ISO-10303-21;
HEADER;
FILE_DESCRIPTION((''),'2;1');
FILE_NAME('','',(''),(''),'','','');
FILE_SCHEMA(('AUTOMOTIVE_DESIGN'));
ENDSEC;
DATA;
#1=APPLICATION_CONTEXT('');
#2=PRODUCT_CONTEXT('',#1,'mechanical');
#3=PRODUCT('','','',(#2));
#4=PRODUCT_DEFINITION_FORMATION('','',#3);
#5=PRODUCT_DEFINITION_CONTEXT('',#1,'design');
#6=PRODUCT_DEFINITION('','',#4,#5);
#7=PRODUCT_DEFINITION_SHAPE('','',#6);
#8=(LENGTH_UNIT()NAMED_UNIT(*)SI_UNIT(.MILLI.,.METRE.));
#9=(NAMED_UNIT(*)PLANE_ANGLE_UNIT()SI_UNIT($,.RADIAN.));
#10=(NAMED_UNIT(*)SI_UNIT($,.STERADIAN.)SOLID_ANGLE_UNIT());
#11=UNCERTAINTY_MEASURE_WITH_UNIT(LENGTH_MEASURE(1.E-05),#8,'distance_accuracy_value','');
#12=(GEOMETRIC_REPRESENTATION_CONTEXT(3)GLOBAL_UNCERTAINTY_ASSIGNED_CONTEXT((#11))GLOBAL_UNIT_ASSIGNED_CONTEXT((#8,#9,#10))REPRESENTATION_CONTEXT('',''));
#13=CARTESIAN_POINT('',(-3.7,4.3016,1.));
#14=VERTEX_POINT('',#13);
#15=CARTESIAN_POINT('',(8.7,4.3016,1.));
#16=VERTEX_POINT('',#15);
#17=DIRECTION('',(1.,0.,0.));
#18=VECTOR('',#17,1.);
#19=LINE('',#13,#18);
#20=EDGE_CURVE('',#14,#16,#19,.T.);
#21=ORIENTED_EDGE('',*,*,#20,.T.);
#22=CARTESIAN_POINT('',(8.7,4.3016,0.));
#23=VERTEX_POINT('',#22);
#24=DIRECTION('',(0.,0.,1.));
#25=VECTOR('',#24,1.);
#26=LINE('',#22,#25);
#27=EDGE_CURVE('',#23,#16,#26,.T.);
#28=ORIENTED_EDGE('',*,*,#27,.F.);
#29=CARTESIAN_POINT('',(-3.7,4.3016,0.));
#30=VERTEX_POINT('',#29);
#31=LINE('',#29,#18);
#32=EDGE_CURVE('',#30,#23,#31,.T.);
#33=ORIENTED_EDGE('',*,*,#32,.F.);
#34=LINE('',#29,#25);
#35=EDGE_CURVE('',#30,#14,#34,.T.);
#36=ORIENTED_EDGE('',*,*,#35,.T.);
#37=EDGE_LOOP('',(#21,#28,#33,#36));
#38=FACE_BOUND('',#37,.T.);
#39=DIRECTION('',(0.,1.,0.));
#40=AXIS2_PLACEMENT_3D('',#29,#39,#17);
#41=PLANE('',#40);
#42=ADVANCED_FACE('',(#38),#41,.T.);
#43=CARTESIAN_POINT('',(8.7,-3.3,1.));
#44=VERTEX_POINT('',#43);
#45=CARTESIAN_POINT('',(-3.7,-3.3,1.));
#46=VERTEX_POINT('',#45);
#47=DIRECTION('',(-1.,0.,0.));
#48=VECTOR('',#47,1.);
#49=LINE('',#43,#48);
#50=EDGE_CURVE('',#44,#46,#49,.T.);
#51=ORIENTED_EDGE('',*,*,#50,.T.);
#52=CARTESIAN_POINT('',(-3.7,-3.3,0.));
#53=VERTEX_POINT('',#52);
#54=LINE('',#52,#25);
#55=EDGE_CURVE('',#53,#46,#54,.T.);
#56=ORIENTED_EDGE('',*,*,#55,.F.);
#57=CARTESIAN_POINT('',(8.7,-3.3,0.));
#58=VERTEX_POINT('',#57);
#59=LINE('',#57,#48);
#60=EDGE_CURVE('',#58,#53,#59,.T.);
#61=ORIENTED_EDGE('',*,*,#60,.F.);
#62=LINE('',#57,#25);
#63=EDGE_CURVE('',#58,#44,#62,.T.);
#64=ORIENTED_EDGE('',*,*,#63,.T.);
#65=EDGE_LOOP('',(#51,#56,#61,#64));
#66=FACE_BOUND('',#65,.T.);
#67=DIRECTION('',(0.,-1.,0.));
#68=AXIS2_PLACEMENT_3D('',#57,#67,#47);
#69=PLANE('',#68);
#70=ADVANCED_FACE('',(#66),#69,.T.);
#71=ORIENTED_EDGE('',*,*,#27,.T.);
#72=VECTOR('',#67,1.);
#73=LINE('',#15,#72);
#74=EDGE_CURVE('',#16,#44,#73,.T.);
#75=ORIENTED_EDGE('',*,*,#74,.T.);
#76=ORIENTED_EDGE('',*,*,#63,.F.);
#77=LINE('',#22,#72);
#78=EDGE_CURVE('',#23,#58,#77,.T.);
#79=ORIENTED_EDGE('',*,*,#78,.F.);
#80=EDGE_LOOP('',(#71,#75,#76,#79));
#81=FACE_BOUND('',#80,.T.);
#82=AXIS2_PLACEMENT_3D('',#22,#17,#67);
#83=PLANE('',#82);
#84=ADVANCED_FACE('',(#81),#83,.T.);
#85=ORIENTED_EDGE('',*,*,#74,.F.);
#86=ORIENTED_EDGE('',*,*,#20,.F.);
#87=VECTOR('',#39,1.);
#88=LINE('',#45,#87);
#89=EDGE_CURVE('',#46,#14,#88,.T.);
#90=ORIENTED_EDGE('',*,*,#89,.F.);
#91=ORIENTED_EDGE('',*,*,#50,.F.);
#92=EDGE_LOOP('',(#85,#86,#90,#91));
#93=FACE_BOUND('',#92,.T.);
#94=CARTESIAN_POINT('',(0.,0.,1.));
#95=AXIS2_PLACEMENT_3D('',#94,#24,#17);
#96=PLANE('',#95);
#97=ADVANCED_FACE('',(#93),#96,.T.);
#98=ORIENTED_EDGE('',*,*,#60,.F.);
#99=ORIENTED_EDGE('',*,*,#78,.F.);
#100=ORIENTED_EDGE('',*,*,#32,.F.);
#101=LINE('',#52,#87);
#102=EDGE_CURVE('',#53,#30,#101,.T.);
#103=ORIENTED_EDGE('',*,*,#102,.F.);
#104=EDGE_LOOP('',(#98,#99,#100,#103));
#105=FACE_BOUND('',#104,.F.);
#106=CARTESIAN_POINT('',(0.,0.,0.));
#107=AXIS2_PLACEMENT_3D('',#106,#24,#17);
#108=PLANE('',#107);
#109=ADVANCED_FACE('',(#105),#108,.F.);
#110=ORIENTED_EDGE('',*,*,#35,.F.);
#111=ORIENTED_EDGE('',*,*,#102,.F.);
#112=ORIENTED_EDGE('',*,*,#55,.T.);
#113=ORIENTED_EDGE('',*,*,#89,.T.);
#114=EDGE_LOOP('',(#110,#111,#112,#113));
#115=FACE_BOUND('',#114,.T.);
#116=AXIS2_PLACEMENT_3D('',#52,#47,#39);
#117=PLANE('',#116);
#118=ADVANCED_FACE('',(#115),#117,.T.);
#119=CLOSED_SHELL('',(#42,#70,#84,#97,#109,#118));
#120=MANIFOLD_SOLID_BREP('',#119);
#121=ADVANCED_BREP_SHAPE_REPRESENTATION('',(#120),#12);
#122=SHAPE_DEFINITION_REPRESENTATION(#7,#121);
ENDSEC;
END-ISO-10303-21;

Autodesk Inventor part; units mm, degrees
ref_plane "YZ Plane" through (0, 0, 0) normal (1, 0, 0) x (0, 1, 0)
ref_plane "XZ Plane" through (0, 0, 0) normal (0, 1, 0) x (-1, 0, 0)
ref_plane "XY Plane" through (0, 0, 0) normal (0, 0, 1) x (1, 0, 0)
sketch "SCREWTERMINAL-5MM-2, M2_SCREWTERMINAL-5MM-2_11" plane through (0, 0, 0) normal (0, 0, 1) x (1, 0, 0)
  line L0 (-3.7, 4.3016) -> (8.7, 4.3016)
  line L1 (8.7, 4.3016) -> (8.7, -3.3)
  line L2 (8.7, -3.3) -> (-3.7, -3.3)
  line L3 (-3.7, -3.3) -> (-3.7, 4.3016)
extrude "Extrusion1" add sketch "SCREWTERMINAL-5MM-2, M2_SCREWTERMINAL-5MM-2_11" along normal blind 1
properties part number "M2_SCREWTERMINAL-5MM-2"
